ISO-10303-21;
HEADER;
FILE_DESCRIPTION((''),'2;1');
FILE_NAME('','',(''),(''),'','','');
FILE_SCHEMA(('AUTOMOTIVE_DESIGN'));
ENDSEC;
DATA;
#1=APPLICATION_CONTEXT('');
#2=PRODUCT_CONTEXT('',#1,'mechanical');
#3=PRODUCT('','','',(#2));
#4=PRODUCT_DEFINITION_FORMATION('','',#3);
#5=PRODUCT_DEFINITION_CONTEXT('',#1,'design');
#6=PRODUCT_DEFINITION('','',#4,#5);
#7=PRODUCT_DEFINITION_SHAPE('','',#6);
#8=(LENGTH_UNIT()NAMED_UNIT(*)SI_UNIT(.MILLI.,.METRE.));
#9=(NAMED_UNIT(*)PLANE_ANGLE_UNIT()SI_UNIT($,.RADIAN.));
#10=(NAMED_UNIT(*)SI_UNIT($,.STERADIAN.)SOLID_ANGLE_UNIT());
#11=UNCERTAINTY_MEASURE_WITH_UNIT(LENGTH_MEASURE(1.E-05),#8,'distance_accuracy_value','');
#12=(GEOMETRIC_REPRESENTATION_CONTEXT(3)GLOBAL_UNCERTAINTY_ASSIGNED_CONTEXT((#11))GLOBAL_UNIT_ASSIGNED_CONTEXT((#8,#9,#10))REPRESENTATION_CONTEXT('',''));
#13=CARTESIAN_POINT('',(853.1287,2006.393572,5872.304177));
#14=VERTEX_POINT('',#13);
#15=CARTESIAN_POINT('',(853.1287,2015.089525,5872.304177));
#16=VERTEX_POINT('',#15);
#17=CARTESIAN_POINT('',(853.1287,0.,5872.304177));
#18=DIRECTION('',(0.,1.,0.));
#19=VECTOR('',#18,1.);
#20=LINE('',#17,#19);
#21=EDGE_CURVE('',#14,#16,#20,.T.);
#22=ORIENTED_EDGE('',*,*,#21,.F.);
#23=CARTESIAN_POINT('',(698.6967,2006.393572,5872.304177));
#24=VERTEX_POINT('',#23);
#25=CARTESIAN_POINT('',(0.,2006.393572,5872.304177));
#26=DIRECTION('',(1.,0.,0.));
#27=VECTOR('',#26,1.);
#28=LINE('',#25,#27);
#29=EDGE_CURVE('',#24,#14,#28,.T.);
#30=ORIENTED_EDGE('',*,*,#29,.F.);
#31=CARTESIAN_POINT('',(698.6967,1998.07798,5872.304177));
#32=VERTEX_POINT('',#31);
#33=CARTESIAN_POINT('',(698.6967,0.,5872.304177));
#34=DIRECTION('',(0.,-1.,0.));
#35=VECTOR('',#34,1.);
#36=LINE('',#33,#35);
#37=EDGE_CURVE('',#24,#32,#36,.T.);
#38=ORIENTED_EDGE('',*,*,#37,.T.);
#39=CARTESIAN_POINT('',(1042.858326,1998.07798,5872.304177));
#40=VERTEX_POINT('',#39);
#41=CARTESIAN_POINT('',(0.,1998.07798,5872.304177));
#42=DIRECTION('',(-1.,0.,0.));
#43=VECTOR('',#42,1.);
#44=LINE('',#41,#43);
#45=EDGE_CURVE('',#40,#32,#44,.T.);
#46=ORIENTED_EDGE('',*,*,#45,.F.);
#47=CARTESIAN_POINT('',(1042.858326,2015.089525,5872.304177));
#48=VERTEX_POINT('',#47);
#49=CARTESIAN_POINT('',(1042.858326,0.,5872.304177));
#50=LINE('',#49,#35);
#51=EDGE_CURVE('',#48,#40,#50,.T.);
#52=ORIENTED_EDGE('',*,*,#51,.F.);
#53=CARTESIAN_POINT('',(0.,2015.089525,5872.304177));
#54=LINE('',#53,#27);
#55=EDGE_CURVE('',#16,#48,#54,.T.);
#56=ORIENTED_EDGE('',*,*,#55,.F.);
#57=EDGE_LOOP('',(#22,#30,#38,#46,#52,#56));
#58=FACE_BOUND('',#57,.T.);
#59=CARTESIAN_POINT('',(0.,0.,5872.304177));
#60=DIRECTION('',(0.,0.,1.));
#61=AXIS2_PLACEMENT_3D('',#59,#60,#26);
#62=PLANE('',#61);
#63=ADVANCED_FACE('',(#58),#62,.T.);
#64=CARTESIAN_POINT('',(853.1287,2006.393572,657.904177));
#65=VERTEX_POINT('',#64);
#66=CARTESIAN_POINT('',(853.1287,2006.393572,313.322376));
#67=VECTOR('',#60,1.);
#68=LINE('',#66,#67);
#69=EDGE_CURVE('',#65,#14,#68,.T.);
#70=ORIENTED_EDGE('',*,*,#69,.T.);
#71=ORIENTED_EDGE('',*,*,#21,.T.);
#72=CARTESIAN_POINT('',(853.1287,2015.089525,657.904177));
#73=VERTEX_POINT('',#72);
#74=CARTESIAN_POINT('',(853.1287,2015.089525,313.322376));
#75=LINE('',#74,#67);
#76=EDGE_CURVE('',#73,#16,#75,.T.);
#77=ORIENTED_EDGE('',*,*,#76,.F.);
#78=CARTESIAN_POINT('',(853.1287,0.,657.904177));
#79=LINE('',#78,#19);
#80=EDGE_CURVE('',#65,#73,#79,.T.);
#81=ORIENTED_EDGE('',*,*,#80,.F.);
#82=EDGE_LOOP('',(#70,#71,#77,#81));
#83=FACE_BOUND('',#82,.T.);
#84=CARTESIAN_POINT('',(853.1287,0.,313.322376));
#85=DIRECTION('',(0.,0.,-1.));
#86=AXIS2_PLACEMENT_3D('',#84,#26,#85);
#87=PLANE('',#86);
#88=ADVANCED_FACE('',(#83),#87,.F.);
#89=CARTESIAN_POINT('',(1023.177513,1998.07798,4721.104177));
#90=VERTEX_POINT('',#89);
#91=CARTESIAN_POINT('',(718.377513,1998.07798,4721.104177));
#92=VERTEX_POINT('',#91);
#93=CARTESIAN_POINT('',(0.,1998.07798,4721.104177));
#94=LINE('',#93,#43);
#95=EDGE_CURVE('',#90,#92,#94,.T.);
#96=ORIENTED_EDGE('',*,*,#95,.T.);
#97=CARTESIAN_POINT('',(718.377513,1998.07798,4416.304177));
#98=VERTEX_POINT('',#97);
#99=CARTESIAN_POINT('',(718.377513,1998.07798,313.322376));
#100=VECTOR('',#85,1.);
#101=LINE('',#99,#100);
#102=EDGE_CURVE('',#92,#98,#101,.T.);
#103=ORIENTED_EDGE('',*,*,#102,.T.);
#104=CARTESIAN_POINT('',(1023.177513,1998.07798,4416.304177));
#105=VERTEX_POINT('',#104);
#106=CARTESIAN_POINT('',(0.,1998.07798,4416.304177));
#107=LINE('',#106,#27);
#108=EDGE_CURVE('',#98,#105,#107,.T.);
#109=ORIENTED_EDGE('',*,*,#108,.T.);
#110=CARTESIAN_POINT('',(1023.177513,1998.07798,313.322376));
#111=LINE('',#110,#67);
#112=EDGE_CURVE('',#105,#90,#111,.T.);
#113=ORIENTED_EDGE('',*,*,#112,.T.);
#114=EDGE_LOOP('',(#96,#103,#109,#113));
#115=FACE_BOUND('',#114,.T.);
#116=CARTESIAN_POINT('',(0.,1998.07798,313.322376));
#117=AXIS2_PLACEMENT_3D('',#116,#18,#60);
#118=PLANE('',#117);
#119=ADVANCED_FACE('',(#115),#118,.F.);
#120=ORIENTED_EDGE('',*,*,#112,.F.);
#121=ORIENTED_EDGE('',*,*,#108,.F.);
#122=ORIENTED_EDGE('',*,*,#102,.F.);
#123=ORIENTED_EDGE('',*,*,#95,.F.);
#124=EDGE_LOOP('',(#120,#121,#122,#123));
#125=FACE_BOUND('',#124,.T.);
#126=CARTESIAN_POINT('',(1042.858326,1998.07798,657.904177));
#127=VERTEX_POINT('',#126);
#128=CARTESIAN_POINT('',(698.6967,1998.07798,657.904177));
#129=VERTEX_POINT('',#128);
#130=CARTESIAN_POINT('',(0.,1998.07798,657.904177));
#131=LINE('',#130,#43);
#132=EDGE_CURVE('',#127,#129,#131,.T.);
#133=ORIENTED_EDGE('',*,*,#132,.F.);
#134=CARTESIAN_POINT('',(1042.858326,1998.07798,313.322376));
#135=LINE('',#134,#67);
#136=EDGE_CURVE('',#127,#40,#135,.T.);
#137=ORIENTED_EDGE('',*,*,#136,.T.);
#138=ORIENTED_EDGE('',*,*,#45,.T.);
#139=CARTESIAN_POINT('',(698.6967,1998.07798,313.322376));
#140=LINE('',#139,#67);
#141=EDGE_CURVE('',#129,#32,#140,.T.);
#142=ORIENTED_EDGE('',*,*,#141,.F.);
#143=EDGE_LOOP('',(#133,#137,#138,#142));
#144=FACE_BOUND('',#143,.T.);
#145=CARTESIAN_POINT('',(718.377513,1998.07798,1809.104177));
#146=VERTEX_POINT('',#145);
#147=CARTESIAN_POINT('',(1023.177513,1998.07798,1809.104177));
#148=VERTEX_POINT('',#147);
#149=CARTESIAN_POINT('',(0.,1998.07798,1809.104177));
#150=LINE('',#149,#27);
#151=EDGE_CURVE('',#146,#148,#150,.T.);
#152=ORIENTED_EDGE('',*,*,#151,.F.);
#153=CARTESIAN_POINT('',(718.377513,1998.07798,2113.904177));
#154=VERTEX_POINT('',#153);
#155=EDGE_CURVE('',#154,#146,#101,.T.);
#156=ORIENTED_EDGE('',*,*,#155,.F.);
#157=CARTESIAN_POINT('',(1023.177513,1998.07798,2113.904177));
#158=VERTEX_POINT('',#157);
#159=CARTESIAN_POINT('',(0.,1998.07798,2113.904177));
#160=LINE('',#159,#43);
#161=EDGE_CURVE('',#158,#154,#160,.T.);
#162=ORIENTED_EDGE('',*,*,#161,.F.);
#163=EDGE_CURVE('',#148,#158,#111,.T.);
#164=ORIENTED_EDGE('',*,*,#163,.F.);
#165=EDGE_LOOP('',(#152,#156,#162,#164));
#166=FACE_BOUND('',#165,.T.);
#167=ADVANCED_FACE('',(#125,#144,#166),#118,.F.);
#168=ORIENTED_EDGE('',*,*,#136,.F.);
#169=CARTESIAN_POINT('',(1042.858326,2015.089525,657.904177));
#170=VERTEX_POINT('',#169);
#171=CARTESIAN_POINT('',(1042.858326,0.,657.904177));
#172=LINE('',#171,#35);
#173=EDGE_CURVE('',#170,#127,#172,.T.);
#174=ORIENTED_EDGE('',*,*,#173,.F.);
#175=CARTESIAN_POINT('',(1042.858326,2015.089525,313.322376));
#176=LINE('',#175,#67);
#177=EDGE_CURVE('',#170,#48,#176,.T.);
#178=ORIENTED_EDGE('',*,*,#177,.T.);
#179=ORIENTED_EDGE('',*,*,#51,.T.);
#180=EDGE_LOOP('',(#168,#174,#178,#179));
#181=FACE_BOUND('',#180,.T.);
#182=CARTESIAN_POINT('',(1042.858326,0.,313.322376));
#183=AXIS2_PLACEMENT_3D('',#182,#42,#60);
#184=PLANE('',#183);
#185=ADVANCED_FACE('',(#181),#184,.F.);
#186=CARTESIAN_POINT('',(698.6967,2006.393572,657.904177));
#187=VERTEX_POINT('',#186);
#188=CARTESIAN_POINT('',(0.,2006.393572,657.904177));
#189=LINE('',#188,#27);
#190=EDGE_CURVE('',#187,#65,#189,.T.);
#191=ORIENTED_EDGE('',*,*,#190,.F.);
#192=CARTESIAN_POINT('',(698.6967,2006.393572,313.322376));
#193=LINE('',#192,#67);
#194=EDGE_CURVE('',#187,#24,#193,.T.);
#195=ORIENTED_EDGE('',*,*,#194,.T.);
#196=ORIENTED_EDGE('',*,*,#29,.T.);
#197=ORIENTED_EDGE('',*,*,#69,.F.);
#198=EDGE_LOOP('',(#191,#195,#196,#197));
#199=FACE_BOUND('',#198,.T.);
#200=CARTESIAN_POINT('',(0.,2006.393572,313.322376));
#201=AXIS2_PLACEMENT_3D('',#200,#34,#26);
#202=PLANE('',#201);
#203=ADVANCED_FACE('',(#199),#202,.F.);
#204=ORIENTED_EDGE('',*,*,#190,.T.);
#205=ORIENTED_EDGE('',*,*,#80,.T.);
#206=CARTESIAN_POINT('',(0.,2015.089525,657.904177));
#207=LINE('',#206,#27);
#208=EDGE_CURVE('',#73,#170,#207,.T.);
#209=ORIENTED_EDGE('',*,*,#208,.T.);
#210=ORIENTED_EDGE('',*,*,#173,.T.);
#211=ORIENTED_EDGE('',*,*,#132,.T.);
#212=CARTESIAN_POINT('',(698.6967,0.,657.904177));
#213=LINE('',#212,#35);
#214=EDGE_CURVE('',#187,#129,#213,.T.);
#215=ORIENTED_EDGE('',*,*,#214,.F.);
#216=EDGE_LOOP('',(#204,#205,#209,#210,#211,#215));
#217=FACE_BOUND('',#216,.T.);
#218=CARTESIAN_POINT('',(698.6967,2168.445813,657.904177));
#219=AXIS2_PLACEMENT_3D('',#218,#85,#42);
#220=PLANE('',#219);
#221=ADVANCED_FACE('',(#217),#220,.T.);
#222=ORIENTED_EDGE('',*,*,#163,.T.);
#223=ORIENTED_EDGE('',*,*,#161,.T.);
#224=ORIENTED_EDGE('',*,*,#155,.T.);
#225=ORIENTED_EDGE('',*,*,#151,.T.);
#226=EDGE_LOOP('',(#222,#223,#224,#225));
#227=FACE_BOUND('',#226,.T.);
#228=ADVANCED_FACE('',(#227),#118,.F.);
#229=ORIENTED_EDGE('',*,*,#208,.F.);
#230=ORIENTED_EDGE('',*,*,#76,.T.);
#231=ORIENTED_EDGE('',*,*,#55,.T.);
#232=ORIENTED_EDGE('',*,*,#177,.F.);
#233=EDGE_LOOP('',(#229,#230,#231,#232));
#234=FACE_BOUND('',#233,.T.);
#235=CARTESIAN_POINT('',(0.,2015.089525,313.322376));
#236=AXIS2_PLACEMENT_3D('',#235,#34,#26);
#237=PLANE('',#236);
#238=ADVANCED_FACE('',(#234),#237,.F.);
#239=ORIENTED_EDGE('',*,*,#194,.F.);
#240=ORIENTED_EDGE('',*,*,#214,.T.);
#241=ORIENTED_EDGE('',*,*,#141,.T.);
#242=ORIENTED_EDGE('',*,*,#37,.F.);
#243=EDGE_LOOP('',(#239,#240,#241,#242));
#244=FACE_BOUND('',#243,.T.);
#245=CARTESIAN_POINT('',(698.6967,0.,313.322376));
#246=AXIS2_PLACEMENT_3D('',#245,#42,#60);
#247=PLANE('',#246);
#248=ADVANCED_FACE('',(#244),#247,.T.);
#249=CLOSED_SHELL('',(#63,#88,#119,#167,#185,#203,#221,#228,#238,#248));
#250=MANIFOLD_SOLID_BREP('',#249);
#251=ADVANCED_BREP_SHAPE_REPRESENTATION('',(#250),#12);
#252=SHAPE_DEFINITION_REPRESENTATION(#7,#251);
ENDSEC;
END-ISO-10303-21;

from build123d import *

# Parameters (mm, degrees)
SKETCH1_W           = 189.729626016
SKETCH1_H           = 8.695952253
BOSS_EXTRUDE1_DEPTH = 5214.4


with BuildPart() as part:
    # Sketch1 → Boss-Extrude1 (new body)
    with BuildSketch(Plane.XY.offset(5872.304177203)):
        Polygon((698.696699776, 2006.393572408), (698.696699776, 1998.07798035), (1042.858325792, 1998.07798035), (1042.858325792, 2006.393572408), (853.128699776, 2006.393572408), align=None)
        with Locations((947.993512784, 2010.741548534)):
            Rectangle(SKETCH1_W, SKETCH1_H)
    extrude(amount=-BOSS_EXTRUDE1_DEPTH)


solid = part.part
